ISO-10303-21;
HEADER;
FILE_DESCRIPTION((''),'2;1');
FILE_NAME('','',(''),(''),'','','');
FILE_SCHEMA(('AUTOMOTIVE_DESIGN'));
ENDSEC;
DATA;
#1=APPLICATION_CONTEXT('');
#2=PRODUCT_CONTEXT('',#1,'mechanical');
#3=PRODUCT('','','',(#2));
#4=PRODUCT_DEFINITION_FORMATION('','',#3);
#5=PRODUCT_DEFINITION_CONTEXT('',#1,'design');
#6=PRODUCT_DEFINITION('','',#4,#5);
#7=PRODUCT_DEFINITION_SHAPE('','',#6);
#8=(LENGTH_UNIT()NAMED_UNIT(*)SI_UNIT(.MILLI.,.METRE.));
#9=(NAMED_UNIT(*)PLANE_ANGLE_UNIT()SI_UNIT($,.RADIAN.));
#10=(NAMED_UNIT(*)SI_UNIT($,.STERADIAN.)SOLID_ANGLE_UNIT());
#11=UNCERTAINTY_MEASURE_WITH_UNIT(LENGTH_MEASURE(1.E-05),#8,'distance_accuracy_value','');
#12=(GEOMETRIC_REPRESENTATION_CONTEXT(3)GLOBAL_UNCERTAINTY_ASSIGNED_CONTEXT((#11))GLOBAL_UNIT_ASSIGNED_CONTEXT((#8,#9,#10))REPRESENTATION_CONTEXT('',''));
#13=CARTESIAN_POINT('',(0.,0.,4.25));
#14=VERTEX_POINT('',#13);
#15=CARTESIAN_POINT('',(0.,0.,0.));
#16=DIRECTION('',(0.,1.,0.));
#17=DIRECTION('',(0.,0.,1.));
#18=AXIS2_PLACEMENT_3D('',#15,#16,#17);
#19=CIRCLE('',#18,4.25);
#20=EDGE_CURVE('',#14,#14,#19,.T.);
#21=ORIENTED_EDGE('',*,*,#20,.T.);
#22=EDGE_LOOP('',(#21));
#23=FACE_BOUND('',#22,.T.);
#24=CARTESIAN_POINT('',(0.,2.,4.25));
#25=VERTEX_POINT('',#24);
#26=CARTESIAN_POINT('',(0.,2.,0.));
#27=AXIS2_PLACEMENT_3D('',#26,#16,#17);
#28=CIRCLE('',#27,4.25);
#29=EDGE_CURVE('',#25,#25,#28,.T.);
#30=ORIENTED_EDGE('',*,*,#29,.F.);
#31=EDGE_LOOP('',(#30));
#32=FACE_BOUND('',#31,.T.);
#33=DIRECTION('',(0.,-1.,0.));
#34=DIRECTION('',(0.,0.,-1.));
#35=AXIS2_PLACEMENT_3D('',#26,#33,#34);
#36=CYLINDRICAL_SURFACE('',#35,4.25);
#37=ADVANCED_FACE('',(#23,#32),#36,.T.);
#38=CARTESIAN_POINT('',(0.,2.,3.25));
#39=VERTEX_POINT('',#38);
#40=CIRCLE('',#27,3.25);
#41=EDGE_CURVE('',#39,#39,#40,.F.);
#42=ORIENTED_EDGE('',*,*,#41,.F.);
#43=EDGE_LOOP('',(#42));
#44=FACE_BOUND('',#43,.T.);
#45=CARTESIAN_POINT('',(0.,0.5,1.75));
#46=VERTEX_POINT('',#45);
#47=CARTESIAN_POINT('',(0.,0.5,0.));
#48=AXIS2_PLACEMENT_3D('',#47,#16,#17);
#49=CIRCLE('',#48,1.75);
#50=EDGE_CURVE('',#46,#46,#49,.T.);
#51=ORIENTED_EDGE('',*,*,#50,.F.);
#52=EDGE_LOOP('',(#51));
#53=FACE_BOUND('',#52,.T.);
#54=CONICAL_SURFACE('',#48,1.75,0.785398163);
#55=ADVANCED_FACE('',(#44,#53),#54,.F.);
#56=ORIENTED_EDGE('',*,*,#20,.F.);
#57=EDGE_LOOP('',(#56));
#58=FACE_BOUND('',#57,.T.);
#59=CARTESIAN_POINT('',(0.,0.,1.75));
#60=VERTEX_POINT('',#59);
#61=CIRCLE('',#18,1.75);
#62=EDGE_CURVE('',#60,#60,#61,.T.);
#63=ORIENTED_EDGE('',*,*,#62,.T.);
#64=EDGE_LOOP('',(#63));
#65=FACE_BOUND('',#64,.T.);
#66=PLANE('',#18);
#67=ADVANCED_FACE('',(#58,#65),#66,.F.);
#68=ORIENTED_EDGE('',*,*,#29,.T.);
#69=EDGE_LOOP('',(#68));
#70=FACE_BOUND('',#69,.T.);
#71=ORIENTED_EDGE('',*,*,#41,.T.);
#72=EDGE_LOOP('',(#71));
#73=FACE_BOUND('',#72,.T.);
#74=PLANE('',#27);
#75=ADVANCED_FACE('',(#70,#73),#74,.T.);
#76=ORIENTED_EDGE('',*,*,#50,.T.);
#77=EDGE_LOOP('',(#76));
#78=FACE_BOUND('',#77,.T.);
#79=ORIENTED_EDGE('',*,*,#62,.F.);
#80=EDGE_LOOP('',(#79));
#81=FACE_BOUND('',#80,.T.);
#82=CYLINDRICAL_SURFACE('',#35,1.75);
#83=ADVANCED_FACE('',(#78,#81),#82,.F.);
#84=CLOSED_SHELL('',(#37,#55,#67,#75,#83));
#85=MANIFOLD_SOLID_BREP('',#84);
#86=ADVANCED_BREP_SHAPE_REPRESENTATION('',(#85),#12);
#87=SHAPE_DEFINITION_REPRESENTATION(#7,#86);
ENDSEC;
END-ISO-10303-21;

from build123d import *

# Parameters (mm, degrees)
SKETCH1_R           = 4.25
SKETCH1_R_2         = 1.75
BOSS_EXTRUDE1_DEPTH = 2
CHAMFER1_SIZE       = 1.5


with BuildPart() as part:
    # Sketch1 → Boss-Extrude1 (new body)
    with BuildSketch(Plane(origin=(0, 0, 0), x_dir=(1, 0, 0), z_dir=(0, 1, 0))):
        Circle(SKETCH1_R)
        Circle(SKETCH1_R_2, mode=Mode.SUBTRACT)
    extrude(amount=BOSS_EXTRUDE1_DEPTH)

    # Chamfer1
    chamfer1_edges = [part.edges().sort_by_distance(p)[0] for p in [
        (-1.75, 2, 0),
    ]]
    chamfer(chamfer1_edges, length=CHAMFER1_SIZE)


solid = part.part
